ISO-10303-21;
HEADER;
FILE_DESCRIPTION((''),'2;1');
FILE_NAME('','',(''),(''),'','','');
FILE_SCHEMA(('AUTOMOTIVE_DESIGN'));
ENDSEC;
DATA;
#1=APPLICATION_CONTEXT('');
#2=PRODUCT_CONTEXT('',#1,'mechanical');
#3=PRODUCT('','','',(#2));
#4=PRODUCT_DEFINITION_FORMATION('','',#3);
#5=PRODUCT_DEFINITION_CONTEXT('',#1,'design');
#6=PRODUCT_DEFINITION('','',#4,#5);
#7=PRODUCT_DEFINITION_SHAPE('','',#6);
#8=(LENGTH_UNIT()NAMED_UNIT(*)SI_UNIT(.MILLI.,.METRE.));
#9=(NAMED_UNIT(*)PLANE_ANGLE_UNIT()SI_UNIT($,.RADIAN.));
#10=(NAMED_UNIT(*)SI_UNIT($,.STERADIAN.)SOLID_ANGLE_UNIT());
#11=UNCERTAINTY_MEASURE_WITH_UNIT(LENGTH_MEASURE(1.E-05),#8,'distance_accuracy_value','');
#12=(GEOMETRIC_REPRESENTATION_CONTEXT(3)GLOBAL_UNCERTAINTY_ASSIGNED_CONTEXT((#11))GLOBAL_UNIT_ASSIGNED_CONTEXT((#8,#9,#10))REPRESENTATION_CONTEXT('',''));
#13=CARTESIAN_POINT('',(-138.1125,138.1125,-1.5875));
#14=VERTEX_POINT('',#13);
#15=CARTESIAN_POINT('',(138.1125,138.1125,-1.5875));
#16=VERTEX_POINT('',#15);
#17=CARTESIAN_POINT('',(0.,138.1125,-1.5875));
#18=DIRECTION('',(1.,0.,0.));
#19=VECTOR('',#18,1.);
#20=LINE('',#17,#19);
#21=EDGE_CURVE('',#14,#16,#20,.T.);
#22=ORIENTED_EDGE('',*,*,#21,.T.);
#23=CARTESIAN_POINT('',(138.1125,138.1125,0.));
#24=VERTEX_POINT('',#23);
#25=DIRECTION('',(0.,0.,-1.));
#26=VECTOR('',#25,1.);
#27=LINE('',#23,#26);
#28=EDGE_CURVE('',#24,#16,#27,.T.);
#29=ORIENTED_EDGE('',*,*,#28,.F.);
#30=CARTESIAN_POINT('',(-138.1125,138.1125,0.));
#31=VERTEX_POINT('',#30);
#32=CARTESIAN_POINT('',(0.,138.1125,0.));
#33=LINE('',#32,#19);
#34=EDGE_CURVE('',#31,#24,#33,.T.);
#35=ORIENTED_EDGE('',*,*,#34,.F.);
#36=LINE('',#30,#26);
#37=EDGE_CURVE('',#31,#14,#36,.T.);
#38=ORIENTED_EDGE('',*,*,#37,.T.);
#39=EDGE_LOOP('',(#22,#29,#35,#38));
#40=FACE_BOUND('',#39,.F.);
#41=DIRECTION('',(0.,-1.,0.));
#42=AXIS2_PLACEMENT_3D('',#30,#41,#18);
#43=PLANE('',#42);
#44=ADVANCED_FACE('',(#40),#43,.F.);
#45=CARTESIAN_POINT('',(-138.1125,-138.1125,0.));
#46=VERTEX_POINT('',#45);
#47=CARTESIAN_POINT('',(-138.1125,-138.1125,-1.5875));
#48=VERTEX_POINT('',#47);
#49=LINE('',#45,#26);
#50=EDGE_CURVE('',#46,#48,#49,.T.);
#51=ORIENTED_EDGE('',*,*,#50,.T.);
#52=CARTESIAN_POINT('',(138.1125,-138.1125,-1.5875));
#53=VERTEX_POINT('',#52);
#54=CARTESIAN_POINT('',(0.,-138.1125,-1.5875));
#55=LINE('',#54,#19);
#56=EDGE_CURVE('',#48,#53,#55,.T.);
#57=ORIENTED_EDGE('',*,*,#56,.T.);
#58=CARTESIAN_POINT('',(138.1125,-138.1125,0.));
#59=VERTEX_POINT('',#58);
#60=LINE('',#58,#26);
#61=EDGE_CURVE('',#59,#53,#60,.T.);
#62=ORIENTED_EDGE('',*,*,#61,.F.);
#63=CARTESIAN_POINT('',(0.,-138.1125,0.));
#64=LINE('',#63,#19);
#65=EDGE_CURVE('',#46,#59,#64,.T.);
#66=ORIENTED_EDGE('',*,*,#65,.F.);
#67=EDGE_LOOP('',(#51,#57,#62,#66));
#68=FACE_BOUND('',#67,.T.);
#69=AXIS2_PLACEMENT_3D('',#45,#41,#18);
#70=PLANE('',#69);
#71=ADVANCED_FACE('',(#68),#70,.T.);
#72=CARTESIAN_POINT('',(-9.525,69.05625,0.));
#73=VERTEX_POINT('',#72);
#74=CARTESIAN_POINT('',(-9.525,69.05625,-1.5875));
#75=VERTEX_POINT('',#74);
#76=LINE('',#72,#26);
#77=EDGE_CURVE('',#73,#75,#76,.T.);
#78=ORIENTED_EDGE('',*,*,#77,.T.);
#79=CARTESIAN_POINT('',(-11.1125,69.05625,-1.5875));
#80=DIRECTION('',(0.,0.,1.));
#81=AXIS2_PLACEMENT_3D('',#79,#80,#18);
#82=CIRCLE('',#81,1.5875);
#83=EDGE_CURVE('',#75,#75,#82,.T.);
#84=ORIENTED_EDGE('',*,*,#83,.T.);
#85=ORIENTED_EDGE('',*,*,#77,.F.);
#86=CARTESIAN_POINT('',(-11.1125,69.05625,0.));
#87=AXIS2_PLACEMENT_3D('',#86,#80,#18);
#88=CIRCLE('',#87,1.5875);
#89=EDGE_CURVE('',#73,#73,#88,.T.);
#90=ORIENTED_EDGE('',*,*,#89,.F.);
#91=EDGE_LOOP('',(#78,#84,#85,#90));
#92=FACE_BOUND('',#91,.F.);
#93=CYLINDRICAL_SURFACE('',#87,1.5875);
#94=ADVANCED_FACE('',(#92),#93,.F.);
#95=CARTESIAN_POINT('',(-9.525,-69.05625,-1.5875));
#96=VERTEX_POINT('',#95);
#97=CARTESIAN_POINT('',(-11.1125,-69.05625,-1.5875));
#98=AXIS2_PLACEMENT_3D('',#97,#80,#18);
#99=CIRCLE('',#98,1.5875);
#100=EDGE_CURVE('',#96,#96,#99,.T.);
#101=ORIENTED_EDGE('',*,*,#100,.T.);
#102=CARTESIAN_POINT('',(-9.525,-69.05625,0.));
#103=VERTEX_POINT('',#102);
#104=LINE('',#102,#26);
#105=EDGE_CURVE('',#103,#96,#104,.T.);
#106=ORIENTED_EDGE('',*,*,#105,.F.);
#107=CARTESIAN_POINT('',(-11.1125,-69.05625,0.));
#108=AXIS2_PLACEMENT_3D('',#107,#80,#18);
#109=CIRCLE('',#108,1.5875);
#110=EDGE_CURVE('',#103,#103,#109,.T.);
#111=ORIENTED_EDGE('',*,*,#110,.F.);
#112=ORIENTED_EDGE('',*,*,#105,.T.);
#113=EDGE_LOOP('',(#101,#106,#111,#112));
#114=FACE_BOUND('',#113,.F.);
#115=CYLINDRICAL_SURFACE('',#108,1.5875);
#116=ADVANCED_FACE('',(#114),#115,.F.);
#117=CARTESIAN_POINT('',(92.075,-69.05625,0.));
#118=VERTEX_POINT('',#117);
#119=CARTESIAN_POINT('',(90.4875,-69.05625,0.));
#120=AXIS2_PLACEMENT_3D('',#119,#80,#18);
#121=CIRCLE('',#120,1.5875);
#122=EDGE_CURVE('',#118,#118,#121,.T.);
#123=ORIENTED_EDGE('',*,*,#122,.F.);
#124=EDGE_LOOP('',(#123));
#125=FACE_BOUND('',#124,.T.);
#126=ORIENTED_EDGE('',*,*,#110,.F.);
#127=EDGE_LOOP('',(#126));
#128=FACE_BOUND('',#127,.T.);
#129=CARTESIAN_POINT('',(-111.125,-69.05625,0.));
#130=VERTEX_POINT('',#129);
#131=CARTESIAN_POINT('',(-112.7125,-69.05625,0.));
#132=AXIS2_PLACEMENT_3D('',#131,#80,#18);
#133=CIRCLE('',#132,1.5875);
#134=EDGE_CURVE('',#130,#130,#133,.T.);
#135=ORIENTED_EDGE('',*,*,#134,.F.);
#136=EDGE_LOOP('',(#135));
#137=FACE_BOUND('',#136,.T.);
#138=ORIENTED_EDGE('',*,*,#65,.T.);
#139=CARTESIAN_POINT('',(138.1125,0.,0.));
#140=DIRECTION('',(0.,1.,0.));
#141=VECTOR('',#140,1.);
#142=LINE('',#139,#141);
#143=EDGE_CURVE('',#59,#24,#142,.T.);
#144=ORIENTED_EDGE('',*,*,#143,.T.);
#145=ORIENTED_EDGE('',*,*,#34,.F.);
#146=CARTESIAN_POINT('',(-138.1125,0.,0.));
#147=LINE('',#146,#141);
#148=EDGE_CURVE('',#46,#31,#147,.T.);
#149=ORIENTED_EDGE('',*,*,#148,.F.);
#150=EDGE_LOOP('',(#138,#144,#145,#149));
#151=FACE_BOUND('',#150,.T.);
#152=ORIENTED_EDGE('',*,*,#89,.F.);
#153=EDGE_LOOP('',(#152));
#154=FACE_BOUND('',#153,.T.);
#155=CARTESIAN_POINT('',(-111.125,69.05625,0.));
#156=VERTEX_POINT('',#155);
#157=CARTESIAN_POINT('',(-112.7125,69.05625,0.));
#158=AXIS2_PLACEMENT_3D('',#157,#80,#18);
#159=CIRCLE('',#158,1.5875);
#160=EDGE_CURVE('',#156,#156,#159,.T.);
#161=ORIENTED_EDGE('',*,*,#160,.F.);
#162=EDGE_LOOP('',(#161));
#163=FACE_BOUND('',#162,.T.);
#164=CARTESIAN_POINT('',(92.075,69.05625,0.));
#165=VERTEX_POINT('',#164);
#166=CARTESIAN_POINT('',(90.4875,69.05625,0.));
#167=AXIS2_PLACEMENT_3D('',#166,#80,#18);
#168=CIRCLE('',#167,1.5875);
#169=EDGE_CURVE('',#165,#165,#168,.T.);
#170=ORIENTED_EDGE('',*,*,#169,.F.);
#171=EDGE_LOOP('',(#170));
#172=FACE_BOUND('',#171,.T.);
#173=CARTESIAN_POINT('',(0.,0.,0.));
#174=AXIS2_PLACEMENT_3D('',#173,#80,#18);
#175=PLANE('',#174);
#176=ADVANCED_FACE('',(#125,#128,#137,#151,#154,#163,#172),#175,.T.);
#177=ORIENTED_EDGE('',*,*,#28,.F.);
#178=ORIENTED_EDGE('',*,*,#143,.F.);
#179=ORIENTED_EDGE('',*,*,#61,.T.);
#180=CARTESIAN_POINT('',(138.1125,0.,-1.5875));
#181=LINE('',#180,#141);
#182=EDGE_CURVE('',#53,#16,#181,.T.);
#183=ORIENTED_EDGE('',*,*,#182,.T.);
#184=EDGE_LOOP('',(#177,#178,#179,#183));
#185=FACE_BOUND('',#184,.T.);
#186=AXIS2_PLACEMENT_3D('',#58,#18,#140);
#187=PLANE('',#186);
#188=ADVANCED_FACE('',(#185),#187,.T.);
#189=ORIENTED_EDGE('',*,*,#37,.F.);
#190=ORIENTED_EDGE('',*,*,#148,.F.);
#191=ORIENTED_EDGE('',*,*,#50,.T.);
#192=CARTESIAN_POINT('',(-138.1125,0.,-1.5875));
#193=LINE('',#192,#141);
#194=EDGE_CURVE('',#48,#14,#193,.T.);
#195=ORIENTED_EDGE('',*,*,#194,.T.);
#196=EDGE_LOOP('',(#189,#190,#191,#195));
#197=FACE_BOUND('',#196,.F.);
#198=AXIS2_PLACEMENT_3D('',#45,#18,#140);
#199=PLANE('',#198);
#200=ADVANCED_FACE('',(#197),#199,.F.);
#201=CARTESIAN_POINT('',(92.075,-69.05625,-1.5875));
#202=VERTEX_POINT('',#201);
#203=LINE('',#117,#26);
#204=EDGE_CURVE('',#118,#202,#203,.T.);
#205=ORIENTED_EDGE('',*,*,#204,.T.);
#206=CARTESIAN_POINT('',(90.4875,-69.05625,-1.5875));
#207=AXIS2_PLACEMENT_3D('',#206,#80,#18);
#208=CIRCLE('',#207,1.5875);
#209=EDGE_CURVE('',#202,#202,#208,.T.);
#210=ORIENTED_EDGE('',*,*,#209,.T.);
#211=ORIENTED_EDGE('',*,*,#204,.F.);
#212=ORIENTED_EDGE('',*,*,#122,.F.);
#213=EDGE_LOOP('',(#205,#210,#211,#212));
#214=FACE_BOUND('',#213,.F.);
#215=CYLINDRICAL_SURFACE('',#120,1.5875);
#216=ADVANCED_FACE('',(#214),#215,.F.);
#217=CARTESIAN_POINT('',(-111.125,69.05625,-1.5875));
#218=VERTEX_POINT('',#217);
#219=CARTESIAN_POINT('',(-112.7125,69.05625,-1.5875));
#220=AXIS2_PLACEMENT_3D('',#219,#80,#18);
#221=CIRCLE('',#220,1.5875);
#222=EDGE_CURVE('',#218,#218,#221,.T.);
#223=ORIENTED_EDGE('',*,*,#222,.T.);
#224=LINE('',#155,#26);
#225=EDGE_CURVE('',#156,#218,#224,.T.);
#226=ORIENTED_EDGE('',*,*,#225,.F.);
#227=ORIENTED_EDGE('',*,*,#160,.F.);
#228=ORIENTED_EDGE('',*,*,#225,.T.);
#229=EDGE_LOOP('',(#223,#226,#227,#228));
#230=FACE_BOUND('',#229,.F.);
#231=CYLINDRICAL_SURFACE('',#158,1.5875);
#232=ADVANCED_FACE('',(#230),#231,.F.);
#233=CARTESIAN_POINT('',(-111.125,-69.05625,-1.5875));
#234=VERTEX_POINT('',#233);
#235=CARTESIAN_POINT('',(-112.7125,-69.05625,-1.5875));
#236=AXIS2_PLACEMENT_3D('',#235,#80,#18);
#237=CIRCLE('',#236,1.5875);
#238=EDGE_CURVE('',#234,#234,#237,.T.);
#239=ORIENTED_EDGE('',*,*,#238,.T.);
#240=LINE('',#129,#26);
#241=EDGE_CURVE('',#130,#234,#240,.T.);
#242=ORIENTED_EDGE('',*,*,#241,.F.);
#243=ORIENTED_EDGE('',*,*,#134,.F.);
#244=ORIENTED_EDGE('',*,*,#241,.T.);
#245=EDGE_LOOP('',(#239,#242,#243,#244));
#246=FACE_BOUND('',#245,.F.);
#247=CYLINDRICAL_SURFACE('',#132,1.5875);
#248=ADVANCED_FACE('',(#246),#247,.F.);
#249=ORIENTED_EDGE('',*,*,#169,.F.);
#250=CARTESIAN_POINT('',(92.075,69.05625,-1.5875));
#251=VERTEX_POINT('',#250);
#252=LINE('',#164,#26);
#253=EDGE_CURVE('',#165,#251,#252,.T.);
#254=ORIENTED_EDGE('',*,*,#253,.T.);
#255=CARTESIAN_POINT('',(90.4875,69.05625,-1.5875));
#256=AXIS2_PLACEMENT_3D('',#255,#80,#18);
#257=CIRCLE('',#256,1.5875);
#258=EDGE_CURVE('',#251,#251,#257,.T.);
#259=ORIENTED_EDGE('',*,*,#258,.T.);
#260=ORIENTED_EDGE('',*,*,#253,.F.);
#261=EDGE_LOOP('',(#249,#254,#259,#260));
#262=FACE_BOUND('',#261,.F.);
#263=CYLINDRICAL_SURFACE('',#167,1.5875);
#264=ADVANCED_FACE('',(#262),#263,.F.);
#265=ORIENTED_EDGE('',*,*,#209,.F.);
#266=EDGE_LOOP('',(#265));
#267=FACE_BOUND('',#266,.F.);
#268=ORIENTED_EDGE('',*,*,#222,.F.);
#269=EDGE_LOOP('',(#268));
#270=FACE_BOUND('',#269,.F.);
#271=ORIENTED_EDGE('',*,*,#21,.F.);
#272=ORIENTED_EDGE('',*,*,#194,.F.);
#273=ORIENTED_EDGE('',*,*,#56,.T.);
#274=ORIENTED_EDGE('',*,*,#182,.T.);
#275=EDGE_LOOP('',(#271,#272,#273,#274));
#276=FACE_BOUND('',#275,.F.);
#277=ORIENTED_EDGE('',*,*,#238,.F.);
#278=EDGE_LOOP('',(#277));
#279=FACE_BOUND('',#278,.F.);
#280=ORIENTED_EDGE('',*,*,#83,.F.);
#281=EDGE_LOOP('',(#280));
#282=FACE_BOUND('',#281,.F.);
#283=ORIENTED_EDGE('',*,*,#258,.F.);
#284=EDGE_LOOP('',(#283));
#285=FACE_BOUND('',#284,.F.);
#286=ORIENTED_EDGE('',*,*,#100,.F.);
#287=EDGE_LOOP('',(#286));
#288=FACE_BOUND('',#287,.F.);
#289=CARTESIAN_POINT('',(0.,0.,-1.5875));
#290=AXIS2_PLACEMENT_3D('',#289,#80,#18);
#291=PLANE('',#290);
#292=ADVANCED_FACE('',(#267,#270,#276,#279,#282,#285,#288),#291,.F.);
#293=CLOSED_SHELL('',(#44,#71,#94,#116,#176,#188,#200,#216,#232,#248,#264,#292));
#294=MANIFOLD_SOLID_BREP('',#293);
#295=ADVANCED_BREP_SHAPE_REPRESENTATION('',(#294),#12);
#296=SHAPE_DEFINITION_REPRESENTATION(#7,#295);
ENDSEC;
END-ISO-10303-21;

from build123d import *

# Parameters (mm, degrees)
F0_W     = 276.225
F0_H     = 276.225
F2_DEPTH = 1.5875
F1_R     = 1.5875
F3_DEPTH = 1.5875


with BuildPart() as f2:
    # F0 (on Top) → F2 (new body)
    with BuildSketch(Plane.XY):
        Rectangle(F0_W, F0_H)
    extrude(amount=-F2_DEPTH)

    # F1 (on face) → F3 (cut, through all)
    with BuildSketch(Plane.XY):
        with Locations((90.4875, 69.05625)):
            Circle(F1_R)
        with Locations((-11.1125, 69.05625)):
            Circle(F1_R)
        with Locations((-112.7125, 69.05625)):
            Circle(F1_R)
        with Locations((-112.7125, -69.05625)):
            Circle(F1_R)
        with Locations((-11.1125, -69.05625)):
            Circle(F1_R)
        with Locations((90.4875, -69.05625)):
            Circle(F1_R)
    extrude(amount=-F3_DEPTH, mode=Mode.SUBTRACT)


solid = f2.part
